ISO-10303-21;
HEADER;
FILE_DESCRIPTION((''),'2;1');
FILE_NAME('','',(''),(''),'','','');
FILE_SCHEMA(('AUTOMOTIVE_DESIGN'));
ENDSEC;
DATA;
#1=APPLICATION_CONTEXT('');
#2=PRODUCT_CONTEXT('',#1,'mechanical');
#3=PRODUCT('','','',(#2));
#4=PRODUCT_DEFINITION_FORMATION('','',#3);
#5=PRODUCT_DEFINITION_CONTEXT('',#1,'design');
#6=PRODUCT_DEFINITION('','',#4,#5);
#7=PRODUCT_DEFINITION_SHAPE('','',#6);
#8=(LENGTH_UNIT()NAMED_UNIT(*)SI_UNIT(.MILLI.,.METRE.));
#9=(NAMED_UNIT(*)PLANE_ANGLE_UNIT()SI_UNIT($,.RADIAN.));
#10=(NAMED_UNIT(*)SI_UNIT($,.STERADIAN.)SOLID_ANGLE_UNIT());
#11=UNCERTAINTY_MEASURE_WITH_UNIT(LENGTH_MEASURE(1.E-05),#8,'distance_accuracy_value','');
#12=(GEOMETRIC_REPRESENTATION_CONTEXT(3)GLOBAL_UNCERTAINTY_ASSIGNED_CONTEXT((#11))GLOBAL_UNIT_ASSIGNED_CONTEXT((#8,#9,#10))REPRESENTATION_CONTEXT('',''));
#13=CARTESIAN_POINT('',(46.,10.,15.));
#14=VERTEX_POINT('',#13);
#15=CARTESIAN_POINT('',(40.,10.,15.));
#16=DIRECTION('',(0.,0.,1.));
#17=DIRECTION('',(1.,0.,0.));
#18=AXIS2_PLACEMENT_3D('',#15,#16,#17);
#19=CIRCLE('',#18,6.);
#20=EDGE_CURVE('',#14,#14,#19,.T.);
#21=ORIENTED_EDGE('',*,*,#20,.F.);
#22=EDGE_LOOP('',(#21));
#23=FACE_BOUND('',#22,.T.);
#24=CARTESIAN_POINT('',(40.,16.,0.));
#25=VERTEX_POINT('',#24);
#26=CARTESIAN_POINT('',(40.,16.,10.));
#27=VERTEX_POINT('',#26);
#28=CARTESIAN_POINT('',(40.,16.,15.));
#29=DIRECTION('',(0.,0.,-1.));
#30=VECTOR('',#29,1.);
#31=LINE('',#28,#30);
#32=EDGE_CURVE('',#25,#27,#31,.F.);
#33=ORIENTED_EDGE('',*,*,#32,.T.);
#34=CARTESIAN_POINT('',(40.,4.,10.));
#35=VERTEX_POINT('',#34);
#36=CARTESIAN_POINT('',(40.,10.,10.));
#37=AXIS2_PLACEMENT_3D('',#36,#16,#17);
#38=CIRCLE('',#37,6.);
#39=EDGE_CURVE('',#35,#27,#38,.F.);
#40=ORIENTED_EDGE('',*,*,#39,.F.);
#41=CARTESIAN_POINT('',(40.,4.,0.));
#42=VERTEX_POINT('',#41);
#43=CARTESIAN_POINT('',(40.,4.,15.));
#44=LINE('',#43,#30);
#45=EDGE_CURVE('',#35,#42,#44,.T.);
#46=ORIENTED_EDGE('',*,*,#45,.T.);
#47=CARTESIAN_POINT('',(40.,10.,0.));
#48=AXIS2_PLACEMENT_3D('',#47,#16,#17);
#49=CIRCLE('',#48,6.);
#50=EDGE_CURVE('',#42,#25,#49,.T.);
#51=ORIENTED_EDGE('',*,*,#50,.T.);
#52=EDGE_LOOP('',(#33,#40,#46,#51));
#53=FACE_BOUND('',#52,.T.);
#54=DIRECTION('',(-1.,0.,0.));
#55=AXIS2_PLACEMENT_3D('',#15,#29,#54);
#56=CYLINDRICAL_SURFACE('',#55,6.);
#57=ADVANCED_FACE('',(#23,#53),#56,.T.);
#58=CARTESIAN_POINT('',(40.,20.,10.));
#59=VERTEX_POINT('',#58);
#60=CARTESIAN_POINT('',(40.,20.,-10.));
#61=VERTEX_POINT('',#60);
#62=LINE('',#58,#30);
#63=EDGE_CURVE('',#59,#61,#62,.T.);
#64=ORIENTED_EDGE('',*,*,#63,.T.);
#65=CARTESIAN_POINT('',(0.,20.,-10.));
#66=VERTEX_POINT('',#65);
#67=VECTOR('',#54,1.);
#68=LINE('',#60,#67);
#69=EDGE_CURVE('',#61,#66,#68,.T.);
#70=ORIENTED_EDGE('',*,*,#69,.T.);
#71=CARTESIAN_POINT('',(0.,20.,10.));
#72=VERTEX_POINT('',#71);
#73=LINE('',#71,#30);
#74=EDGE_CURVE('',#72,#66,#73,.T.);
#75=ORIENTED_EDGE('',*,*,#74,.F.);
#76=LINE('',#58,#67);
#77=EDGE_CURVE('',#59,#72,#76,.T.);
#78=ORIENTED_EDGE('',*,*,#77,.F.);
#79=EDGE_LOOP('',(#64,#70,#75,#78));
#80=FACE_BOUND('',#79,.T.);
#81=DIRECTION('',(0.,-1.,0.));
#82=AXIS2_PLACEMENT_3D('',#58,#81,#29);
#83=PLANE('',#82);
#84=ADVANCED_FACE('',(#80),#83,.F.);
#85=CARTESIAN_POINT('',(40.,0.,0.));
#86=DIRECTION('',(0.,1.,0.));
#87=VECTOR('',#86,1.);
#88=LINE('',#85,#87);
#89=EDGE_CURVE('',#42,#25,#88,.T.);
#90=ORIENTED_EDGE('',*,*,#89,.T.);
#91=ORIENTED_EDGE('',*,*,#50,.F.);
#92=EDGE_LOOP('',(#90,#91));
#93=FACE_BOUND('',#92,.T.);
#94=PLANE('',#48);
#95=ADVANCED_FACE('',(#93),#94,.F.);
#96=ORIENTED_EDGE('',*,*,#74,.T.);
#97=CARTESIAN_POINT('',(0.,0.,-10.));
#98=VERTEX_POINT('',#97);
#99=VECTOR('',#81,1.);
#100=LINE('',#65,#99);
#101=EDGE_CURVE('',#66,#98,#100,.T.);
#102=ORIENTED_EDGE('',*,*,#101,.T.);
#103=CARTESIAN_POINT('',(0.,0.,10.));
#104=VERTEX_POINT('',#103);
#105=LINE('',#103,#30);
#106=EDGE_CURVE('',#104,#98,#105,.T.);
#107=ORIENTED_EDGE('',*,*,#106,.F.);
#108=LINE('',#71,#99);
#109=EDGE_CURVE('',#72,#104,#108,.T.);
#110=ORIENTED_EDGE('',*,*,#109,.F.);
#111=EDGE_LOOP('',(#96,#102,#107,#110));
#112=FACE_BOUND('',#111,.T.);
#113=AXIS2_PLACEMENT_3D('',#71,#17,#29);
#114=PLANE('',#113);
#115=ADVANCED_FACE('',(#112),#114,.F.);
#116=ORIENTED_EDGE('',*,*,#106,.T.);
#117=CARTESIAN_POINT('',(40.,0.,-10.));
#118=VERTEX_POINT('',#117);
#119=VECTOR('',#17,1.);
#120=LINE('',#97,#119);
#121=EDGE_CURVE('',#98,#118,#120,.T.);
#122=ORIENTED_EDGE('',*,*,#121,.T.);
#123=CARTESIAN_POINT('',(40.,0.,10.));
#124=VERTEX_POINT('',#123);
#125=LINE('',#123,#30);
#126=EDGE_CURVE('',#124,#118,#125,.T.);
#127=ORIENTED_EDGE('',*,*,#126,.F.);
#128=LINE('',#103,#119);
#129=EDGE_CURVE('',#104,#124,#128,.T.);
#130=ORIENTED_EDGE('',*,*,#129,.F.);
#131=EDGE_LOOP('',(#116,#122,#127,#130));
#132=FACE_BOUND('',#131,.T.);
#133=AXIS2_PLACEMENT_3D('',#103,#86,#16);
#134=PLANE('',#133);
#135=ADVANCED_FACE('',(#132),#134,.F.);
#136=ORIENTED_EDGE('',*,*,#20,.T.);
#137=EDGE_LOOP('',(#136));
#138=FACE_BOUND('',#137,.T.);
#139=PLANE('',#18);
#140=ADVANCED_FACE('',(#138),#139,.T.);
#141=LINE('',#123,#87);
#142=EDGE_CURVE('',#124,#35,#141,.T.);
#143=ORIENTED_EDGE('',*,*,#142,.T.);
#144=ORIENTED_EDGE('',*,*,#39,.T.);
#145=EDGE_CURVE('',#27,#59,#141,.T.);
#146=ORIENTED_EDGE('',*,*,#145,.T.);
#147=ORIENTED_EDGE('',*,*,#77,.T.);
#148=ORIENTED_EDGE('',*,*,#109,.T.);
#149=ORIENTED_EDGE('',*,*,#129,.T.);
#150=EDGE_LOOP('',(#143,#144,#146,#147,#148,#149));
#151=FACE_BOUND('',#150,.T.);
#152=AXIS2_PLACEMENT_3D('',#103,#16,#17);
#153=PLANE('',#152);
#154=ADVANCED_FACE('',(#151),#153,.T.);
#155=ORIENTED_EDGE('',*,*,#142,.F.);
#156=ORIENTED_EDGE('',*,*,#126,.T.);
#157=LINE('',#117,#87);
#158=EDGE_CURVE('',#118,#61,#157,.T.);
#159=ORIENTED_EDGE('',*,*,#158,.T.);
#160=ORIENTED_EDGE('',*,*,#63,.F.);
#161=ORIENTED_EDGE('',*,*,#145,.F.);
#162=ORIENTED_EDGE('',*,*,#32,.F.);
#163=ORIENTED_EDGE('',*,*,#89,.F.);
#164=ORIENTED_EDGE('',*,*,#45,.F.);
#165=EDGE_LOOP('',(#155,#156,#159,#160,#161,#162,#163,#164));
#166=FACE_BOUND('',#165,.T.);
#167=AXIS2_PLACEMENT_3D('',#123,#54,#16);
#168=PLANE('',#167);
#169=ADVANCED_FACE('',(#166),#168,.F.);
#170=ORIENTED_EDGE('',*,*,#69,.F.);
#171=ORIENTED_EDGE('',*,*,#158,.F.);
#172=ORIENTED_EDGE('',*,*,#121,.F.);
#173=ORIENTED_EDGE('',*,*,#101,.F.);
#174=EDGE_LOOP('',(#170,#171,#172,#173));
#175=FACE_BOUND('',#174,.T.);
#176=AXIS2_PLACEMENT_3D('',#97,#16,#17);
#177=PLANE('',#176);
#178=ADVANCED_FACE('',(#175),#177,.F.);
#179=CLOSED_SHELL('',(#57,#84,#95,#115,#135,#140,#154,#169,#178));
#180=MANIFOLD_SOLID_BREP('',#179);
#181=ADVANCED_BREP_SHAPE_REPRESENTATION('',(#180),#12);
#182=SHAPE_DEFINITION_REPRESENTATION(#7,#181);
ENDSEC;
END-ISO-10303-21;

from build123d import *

# Parameters (mm, degrees)
SKETCH1_W           = 40
SKETCH1_H           = 20
BOSS_EXTRUDE1_DEPTH = 10
SKETCH2_R           = 6
BOSS_EXTRUDE2_DEPTH = 15


with BuildPart() as part:
    # Sketch1 → Boss-Extrude1 (new, symmetric)
    with BuildSketch(Plane.XY):
        with Locations((20, 10)):
            Rectangle(SKETCH1_W, SKETCH1_H)
    extrude(amount=BOSS_EXTRUDE1_DEPTH, both=True)

    # Sketch2 → Boss-Extrude2 (add)
    with BuildSketch(Plane.XY):
        with Locations((40, 10)):
            Circle(SKETCH2_R)
    extrude(amount=BOSS_EXTRUDE2_DEPTH)


solid = part.part
